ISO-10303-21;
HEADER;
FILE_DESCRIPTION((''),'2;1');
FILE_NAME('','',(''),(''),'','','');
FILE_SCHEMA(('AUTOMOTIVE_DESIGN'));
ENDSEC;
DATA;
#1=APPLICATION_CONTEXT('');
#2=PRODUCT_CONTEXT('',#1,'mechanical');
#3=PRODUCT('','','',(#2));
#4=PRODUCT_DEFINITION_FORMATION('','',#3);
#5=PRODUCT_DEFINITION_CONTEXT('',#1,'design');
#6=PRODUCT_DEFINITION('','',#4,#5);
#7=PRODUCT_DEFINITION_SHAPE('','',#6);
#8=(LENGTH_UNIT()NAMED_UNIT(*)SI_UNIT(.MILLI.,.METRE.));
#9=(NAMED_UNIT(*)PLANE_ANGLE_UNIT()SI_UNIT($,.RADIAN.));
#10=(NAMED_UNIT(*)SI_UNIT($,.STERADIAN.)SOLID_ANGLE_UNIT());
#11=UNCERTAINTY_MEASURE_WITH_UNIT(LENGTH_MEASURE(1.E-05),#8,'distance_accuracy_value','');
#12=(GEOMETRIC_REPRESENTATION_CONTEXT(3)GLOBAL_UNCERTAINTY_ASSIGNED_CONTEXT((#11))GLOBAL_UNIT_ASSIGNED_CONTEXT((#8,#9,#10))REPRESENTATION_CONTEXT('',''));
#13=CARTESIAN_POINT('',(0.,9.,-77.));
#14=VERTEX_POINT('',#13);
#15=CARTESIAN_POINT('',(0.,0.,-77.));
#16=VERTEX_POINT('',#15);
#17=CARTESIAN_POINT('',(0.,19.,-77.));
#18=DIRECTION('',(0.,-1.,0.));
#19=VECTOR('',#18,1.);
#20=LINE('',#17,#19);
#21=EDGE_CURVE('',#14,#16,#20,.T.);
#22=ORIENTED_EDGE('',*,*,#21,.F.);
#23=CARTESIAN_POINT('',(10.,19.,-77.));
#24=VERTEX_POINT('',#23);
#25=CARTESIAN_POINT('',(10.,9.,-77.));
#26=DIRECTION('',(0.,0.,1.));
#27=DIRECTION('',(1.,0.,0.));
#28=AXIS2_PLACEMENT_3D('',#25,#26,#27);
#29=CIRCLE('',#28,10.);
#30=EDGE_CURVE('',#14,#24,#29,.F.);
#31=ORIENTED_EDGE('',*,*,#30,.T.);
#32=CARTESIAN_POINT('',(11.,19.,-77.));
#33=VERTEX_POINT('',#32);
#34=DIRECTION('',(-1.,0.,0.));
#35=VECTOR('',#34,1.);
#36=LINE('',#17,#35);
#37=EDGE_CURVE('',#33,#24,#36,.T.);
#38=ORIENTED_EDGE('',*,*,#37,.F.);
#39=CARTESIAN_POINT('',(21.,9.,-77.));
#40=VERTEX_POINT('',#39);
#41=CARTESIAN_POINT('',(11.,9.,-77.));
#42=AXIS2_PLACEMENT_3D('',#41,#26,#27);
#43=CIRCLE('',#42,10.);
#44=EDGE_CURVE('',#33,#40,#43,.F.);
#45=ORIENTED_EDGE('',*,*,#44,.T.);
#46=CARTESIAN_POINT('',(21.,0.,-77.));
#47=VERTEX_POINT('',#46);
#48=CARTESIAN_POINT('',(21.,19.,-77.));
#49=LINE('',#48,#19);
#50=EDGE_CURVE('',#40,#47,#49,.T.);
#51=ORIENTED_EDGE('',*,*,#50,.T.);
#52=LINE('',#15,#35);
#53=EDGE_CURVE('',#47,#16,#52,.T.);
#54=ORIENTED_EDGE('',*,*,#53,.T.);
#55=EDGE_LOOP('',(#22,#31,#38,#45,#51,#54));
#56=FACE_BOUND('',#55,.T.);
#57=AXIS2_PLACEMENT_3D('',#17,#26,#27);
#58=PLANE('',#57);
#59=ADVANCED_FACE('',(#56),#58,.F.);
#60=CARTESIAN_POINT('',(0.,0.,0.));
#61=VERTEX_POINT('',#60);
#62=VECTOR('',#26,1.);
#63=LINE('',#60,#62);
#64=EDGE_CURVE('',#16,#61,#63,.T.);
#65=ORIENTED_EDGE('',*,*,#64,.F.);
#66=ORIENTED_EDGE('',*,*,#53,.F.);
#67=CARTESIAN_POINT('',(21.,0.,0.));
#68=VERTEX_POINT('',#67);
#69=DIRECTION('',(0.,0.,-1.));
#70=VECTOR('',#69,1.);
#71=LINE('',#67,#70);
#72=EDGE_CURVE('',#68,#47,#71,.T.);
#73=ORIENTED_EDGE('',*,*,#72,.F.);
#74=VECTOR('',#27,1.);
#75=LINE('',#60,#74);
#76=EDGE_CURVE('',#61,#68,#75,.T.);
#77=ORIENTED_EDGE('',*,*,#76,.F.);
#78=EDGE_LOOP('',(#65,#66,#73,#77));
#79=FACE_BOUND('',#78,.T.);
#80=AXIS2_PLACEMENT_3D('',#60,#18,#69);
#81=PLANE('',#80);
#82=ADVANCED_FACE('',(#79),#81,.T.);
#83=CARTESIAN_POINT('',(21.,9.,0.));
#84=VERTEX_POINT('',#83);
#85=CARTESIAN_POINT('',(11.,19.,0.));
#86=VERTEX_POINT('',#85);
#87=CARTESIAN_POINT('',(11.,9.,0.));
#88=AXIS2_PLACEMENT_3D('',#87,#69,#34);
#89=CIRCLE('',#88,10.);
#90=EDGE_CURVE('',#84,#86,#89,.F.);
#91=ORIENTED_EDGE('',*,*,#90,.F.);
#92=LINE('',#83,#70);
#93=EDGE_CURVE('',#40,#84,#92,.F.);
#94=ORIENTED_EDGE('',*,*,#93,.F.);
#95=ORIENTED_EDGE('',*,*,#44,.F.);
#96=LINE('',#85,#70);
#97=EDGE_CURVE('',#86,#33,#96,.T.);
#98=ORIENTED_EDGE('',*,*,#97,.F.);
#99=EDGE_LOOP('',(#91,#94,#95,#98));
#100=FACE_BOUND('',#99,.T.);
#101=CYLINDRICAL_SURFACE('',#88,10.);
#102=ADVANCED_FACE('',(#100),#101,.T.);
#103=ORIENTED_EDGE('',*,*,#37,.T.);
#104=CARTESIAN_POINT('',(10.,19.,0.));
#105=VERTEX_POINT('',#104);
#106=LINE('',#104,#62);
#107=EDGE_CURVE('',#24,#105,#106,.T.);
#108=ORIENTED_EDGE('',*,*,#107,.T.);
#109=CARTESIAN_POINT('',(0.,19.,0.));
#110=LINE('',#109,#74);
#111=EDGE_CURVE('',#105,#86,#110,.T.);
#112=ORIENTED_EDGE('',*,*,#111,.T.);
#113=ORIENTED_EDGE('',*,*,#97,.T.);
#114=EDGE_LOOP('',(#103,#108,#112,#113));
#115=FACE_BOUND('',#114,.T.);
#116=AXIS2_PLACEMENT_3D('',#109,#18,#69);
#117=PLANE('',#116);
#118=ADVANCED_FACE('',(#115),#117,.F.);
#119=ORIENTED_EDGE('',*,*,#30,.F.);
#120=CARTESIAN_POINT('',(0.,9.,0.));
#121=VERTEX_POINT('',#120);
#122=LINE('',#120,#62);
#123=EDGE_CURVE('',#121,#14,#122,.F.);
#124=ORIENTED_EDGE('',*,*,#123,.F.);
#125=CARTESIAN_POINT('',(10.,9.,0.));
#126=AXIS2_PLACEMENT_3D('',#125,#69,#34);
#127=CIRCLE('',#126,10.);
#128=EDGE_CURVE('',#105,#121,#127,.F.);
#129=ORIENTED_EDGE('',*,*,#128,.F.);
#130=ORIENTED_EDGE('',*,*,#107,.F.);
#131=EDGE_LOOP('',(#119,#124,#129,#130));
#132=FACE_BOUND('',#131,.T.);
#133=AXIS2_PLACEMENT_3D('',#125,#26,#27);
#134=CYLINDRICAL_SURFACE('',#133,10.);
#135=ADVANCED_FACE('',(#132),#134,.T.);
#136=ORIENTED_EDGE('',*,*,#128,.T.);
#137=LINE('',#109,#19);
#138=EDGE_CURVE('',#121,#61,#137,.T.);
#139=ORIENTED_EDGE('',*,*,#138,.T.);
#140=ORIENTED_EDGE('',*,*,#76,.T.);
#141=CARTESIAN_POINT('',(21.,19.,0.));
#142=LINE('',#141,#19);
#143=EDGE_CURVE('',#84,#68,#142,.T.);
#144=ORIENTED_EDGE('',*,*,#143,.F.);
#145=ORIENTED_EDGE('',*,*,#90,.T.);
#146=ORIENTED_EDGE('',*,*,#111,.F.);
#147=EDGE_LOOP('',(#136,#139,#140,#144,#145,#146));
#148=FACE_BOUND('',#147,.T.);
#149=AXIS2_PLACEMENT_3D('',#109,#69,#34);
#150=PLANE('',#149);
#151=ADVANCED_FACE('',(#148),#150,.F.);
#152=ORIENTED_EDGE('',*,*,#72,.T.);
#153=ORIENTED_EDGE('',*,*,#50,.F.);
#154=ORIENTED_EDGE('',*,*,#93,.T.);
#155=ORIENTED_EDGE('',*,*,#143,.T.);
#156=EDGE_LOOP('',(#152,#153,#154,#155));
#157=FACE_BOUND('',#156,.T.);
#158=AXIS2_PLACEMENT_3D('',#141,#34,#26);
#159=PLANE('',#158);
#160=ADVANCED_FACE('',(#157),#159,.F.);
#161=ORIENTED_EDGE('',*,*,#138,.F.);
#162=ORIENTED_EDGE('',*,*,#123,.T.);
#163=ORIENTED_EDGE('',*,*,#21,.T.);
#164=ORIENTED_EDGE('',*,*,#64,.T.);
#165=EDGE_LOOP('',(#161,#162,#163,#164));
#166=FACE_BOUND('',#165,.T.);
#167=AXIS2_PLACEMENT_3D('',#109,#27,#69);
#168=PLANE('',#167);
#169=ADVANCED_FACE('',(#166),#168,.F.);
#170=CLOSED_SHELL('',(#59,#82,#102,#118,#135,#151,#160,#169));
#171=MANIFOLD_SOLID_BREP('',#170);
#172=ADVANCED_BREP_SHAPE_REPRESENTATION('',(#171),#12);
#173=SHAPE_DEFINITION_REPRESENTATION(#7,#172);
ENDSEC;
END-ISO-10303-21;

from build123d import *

# Parameters (mm, degrees)
SKETCH1_W           = 21
SKETCH1_H           = 77
BOSS_EXTRUDE1_DEPTH = 19
FILLET1_R           = 10


with BuildPart() as part:
    # Sketch1 → Boss-Extrude1 (new body)
    with BuildSketch(Plane(origin=(0, 0, 0), x_dir=(1, 0, 0), z_dir=(0, 1, 0))):
        with Locations((10.5, 38.5)):
            Rectangle(SKETCH1_W, SKETCH1_H)
    extrude(amount=BOSS_EXTRUDE1_DEPTH)

    # Fillet1
    fillet1_edges = [part.edges().sort_by_distance(p)[0] for p in [
        (21, 19, -38.5),
        (0, 19, -38.5),
    ]]
    fillet(fillet1_edges, radius=FILLET1_R)


solid = part.part
